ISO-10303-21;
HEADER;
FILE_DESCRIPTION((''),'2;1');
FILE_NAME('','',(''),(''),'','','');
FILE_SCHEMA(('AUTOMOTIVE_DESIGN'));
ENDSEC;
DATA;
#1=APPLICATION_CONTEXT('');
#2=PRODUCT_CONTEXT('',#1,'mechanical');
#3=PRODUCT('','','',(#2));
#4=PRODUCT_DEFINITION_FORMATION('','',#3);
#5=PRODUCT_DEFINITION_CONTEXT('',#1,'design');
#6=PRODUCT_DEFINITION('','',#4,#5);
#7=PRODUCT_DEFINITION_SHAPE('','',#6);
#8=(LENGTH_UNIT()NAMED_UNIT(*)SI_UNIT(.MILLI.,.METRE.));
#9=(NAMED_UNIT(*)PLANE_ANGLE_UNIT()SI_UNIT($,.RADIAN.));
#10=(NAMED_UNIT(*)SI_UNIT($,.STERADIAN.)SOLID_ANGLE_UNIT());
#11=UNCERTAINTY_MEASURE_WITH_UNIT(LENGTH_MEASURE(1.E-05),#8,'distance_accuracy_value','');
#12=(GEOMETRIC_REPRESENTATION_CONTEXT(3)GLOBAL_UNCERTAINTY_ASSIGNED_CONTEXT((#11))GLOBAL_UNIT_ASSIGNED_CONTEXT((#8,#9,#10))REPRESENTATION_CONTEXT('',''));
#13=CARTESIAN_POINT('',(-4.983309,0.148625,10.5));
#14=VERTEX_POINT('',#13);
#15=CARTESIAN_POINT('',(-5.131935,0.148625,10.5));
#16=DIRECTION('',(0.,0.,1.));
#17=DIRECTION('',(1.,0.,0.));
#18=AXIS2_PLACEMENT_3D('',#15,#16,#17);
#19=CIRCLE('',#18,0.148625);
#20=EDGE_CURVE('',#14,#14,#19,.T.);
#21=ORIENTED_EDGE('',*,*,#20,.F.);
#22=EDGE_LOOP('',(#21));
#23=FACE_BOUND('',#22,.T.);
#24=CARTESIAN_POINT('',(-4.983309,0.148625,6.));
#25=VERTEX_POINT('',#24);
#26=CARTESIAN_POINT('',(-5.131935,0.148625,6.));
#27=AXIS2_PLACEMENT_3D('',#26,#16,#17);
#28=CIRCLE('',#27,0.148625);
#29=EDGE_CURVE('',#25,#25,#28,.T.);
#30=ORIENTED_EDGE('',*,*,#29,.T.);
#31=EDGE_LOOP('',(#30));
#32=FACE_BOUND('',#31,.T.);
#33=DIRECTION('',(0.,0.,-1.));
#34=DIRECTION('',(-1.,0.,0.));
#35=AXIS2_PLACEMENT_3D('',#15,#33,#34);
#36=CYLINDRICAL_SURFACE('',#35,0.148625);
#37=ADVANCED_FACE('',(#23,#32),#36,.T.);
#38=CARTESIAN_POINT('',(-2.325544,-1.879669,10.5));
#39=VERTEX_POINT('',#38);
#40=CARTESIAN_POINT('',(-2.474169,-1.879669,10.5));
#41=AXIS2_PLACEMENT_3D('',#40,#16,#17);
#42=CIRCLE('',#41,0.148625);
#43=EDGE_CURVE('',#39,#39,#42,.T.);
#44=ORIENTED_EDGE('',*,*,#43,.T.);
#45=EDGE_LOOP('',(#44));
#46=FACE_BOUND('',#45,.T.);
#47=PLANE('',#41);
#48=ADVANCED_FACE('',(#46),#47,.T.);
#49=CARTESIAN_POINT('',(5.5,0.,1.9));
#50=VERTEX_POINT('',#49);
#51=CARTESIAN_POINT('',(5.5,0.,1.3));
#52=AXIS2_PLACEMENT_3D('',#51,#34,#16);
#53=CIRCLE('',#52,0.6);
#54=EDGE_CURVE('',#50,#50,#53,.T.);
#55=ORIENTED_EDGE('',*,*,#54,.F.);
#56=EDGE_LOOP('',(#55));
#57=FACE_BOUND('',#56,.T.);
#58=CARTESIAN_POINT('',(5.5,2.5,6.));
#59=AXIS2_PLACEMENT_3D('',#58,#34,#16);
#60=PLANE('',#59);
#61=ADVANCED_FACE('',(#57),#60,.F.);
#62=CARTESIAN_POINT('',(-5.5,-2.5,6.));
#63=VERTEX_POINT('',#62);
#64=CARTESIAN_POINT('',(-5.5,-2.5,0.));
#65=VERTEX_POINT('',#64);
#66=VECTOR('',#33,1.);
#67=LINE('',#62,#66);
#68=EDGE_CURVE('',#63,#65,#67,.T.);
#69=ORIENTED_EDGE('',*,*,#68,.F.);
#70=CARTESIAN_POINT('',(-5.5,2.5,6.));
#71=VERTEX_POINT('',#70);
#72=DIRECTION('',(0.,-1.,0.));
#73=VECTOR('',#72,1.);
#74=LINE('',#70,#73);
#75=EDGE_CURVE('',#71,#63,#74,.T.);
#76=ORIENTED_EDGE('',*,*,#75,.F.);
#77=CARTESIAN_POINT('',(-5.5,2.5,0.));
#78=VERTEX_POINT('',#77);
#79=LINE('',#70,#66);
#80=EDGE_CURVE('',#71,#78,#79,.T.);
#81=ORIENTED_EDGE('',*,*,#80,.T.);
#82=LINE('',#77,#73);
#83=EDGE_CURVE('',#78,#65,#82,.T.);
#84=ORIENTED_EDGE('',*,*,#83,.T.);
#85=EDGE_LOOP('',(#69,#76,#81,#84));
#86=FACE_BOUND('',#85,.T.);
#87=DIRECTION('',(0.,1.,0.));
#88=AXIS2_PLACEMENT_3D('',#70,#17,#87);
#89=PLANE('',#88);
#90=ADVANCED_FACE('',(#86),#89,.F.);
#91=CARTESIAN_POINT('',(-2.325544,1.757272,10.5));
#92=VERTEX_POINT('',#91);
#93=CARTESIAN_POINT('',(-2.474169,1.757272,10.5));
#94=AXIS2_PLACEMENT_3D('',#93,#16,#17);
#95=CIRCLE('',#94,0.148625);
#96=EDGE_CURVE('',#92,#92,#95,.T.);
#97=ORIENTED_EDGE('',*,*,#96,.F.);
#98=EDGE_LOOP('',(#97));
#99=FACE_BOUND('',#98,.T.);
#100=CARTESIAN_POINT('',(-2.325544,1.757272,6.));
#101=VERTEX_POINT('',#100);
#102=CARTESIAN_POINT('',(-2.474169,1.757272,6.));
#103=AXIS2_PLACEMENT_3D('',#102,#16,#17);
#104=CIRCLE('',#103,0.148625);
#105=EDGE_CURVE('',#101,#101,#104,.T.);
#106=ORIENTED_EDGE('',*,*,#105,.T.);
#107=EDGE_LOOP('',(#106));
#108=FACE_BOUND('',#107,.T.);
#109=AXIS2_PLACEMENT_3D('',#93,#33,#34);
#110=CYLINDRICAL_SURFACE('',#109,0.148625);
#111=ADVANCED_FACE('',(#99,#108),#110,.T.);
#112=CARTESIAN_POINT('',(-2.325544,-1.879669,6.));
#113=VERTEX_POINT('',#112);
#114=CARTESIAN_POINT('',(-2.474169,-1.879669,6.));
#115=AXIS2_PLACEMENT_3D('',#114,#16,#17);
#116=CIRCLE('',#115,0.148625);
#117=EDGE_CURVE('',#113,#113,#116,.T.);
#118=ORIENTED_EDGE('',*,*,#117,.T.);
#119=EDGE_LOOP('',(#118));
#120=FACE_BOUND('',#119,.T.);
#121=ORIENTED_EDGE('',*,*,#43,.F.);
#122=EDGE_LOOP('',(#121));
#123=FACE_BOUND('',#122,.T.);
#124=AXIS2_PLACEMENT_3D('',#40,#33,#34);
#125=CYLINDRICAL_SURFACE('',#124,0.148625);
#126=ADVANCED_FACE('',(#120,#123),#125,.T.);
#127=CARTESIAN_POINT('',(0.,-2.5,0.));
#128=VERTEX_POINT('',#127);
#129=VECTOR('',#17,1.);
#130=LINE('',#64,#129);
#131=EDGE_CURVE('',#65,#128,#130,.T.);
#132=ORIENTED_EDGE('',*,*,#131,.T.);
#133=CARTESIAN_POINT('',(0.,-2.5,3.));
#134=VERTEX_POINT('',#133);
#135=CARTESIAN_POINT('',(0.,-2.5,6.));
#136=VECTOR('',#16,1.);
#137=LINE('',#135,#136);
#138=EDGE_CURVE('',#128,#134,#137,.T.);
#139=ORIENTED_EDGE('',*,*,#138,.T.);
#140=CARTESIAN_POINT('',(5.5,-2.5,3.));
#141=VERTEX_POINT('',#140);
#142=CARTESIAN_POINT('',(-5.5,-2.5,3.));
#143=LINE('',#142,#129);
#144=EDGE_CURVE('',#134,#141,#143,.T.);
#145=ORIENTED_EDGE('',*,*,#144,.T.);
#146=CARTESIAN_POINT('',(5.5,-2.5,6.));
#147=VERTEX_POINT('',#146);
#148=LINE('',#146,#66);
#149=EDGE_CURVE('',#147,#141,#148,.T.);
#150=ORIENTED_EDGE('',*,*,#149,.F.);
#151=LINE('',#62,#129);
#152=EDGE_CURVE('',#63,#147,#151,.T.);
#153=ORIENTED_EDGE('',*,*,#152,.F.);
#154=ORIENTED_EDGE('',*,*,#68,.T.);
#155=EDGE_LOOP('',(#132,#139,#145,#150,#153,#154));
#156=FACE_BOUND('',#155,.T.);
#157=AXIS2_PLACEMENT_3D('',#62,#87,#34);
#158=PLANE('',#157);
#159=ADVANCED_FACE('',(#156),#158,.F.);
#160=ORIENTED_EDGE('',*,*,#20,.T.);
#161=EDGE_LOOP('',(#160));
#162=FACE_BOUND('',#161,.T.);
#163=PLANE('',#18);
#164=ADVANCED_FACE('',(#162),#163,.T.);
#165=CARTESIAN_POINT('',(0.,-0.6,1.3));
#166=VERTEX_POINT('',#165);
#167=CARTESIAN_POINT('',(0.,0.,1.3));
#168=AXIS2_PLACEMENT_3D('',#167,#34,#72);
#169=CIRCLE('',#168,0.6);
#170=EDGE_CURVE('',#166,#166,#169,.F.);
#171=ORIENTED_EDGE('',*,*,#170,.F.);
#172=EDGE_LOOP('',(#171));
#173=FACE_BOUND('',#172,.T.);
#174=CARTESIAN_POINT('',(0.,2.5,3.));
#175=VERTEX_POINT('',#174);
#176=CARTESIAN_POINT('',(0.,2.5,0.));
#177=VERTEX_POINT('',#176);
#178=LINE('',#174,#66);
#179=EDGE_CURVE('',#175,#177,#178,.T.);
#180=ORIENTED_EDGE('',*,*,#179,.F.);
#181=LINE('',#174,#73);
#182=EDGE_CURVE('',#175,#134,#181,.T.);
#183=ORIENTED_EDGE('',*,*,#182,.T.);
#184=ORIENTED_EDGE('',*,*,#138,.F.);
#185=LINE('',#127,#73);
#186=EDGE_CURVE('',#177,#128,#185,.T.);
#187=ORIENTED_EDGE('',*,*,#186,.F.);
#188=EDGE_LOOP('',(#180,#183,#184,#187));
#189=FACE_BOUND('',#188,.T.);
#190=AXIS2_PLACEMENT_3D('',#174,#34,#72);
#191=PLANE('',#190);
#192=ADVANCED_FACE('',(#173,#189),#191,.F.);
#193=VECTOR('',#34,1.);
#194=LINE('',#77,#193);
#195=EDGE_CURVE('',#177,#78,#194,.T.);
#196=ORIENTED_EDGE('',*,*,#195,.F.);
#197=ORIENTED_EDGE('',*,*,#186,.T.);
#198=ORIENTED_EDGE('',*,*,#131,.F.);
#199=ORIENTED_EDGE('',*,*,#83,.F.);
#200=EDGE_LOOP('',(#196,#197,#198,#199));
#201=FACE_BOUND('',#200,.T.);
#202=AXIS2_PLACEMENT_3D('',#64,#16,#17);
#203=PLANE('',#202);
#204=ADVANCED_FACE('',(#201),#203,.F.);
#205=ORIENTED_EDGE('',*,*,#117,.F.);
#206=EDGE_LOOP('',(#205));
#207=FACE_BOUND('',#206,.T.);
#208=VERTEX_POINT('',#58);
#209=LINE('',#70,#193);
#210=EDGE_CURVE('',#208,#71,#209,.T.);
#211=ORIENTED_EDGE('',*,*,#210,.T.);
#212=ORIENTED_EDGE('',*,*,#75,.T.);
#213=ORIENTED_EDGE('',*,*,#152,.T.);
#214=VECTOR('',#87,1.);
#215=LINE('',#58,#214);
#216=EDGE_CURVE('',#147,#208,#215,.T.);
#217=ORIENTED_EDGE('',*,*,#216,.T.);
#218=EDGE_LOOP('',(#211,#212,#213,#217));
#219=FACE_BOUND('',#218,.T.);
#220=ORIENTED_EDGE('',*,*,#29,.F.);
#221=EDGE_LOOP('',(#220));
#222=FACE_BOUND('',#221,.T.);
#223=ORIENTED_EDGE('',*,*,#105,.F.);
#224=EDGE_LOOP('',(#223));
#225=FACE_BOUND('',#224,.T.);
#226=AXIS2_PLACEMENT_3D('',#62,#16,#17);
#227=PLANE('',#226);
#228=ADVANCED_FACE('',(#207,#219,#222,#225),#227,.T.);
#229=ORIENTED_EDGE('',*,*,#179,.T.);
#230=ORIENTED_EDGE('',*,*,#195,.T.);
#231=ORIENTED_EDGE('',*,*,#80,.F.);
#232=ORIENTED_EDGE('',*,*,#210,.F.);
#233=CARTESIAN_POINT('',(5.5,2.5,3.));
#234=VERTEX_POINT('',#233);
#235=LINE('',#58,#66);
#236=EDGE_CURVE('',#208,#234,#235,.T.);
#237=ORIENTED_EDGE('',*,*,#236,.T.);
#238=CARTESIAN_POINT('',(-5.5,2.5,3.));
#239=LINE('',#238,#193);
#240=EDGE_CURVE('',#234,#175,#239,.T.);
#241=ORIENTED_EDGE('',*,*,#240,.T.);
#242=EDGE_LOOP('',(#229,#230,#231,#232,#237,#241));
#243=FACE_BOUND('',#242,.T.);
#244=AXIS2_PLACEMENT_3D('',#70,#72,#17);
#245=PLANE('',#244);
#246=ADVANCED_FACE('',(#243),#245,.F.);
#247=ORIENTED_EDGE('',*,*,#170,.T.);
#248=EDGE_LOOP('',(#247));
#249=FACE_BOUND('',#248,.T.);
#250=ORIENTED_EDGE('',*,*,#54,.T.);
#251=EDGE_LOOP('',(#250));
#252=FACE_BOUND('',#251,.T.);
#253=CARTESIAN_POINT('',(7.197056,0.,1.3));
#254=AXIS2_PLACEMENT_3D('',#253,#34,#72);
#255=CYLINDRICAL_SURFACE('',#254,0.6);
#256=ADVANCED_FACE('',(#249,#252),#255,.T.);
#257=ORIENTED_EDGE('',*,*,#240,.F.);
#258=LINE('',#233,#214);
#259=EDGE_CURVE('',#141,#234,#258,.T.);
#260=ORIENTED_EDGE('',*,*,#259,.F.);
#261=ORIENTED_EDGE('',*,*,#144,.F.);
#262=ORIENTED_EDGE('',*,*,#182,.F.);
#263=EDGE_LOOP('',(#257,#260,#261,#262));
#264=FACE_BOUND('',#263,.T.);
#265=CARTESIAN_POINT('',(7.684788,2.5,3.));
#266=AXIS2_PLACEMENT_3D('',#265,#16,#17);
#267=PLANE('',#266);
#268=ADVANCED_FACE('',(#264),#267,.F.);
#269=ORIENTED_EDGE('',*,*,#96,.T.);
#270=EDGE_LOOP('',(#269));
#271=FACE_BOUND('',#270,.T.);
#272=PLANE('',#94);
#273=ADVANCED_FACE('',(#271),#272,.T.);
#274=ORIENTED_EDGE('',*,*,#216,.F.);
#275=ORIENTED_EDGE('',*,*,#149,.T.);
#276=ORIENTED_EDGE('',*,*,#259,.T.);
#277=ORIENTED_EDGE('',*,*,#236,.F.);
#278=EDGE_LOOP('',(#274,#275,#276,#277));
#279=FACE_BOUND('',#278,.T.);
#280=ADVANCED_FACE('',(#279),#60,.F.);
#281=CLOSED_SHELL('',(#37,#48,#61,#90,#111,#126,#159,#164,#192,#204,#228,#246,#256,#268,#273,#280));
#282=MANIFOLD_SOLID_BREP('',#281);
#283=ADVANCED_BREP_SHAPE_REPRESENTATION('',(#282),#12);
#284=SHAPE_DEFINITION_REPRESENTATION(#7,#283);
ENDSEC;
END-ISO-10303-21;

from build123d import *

# Parameters (mm, degrees)
SKETCH_1_W          = 11
SKETCH_1_H          = 5
EXTRUDE_2_DEPTH     = 6
CUT_EXTRUDE_2_DEPTH = 10.552486587
SKETCH_3_R          = 0.6
EXTRUDE_3_DEPTH     = 5.5
SKETCH_4_R          = 0.14862502
EXTRUDE_4_DEPTH     = 4.5


with BuildPart() as part:
    # 草图1 → 拉伸2 (new body)
    with BuildSketch(Plane.XY):
        Rectangle(SKETCH_1_W, SKETCH_1_H)
    extrude(amount=EXTRUDE_2_DEPTH)

    # 草图2 → 切除-拉伸2 (cut, through all)
    with BuildSketch(Plane(origin=(0, 2.5, 0), x_dir=(-1, 0, 0), z_dir=(0, 1, 0))):
        Polygon((-44.7283548, 3), (-7.684787792, 3), (0, 3), (0, -1.817199173), (0, -38.860766181), (-50.624833681, -92.953553513), (-95.353188481, -51.092787332), align=None)
    extrude(amount=-CUT_EXTRUDE_2_DEPTH, mode=Mode.SUBTRACT)

    # 草图3 → 拉伸3 (add)
    with BuildSketch(Plane(origin=(0, 0, 0), x_dir=(0, 0, -1), z_dir=(1, 0, 0))):
        with Locations(Location((-1.3, 0, 0), (0, 0, 270))):
            Circle(SKETCH_3_R)
    extrude(amount=EXTRUDE_3_DEPTH)

    # 草图4 → 拉伸4 (add)
    with BuildSketch(Plane.XY.offset(6)):
        with Locations((-5.13193451, 0.14862502)):
            Circle(SKETCH_4_R)
        with Locations((-2.474169448, 1.757272294)):
            Circle(SKETCH_4_R)
        with Locations((-2.474169448, -1.879669369)):
            Circle(SKETCH_4_R)
    extrude(amount=EXTRUDE_4_DEPTH)


solid = part.part
